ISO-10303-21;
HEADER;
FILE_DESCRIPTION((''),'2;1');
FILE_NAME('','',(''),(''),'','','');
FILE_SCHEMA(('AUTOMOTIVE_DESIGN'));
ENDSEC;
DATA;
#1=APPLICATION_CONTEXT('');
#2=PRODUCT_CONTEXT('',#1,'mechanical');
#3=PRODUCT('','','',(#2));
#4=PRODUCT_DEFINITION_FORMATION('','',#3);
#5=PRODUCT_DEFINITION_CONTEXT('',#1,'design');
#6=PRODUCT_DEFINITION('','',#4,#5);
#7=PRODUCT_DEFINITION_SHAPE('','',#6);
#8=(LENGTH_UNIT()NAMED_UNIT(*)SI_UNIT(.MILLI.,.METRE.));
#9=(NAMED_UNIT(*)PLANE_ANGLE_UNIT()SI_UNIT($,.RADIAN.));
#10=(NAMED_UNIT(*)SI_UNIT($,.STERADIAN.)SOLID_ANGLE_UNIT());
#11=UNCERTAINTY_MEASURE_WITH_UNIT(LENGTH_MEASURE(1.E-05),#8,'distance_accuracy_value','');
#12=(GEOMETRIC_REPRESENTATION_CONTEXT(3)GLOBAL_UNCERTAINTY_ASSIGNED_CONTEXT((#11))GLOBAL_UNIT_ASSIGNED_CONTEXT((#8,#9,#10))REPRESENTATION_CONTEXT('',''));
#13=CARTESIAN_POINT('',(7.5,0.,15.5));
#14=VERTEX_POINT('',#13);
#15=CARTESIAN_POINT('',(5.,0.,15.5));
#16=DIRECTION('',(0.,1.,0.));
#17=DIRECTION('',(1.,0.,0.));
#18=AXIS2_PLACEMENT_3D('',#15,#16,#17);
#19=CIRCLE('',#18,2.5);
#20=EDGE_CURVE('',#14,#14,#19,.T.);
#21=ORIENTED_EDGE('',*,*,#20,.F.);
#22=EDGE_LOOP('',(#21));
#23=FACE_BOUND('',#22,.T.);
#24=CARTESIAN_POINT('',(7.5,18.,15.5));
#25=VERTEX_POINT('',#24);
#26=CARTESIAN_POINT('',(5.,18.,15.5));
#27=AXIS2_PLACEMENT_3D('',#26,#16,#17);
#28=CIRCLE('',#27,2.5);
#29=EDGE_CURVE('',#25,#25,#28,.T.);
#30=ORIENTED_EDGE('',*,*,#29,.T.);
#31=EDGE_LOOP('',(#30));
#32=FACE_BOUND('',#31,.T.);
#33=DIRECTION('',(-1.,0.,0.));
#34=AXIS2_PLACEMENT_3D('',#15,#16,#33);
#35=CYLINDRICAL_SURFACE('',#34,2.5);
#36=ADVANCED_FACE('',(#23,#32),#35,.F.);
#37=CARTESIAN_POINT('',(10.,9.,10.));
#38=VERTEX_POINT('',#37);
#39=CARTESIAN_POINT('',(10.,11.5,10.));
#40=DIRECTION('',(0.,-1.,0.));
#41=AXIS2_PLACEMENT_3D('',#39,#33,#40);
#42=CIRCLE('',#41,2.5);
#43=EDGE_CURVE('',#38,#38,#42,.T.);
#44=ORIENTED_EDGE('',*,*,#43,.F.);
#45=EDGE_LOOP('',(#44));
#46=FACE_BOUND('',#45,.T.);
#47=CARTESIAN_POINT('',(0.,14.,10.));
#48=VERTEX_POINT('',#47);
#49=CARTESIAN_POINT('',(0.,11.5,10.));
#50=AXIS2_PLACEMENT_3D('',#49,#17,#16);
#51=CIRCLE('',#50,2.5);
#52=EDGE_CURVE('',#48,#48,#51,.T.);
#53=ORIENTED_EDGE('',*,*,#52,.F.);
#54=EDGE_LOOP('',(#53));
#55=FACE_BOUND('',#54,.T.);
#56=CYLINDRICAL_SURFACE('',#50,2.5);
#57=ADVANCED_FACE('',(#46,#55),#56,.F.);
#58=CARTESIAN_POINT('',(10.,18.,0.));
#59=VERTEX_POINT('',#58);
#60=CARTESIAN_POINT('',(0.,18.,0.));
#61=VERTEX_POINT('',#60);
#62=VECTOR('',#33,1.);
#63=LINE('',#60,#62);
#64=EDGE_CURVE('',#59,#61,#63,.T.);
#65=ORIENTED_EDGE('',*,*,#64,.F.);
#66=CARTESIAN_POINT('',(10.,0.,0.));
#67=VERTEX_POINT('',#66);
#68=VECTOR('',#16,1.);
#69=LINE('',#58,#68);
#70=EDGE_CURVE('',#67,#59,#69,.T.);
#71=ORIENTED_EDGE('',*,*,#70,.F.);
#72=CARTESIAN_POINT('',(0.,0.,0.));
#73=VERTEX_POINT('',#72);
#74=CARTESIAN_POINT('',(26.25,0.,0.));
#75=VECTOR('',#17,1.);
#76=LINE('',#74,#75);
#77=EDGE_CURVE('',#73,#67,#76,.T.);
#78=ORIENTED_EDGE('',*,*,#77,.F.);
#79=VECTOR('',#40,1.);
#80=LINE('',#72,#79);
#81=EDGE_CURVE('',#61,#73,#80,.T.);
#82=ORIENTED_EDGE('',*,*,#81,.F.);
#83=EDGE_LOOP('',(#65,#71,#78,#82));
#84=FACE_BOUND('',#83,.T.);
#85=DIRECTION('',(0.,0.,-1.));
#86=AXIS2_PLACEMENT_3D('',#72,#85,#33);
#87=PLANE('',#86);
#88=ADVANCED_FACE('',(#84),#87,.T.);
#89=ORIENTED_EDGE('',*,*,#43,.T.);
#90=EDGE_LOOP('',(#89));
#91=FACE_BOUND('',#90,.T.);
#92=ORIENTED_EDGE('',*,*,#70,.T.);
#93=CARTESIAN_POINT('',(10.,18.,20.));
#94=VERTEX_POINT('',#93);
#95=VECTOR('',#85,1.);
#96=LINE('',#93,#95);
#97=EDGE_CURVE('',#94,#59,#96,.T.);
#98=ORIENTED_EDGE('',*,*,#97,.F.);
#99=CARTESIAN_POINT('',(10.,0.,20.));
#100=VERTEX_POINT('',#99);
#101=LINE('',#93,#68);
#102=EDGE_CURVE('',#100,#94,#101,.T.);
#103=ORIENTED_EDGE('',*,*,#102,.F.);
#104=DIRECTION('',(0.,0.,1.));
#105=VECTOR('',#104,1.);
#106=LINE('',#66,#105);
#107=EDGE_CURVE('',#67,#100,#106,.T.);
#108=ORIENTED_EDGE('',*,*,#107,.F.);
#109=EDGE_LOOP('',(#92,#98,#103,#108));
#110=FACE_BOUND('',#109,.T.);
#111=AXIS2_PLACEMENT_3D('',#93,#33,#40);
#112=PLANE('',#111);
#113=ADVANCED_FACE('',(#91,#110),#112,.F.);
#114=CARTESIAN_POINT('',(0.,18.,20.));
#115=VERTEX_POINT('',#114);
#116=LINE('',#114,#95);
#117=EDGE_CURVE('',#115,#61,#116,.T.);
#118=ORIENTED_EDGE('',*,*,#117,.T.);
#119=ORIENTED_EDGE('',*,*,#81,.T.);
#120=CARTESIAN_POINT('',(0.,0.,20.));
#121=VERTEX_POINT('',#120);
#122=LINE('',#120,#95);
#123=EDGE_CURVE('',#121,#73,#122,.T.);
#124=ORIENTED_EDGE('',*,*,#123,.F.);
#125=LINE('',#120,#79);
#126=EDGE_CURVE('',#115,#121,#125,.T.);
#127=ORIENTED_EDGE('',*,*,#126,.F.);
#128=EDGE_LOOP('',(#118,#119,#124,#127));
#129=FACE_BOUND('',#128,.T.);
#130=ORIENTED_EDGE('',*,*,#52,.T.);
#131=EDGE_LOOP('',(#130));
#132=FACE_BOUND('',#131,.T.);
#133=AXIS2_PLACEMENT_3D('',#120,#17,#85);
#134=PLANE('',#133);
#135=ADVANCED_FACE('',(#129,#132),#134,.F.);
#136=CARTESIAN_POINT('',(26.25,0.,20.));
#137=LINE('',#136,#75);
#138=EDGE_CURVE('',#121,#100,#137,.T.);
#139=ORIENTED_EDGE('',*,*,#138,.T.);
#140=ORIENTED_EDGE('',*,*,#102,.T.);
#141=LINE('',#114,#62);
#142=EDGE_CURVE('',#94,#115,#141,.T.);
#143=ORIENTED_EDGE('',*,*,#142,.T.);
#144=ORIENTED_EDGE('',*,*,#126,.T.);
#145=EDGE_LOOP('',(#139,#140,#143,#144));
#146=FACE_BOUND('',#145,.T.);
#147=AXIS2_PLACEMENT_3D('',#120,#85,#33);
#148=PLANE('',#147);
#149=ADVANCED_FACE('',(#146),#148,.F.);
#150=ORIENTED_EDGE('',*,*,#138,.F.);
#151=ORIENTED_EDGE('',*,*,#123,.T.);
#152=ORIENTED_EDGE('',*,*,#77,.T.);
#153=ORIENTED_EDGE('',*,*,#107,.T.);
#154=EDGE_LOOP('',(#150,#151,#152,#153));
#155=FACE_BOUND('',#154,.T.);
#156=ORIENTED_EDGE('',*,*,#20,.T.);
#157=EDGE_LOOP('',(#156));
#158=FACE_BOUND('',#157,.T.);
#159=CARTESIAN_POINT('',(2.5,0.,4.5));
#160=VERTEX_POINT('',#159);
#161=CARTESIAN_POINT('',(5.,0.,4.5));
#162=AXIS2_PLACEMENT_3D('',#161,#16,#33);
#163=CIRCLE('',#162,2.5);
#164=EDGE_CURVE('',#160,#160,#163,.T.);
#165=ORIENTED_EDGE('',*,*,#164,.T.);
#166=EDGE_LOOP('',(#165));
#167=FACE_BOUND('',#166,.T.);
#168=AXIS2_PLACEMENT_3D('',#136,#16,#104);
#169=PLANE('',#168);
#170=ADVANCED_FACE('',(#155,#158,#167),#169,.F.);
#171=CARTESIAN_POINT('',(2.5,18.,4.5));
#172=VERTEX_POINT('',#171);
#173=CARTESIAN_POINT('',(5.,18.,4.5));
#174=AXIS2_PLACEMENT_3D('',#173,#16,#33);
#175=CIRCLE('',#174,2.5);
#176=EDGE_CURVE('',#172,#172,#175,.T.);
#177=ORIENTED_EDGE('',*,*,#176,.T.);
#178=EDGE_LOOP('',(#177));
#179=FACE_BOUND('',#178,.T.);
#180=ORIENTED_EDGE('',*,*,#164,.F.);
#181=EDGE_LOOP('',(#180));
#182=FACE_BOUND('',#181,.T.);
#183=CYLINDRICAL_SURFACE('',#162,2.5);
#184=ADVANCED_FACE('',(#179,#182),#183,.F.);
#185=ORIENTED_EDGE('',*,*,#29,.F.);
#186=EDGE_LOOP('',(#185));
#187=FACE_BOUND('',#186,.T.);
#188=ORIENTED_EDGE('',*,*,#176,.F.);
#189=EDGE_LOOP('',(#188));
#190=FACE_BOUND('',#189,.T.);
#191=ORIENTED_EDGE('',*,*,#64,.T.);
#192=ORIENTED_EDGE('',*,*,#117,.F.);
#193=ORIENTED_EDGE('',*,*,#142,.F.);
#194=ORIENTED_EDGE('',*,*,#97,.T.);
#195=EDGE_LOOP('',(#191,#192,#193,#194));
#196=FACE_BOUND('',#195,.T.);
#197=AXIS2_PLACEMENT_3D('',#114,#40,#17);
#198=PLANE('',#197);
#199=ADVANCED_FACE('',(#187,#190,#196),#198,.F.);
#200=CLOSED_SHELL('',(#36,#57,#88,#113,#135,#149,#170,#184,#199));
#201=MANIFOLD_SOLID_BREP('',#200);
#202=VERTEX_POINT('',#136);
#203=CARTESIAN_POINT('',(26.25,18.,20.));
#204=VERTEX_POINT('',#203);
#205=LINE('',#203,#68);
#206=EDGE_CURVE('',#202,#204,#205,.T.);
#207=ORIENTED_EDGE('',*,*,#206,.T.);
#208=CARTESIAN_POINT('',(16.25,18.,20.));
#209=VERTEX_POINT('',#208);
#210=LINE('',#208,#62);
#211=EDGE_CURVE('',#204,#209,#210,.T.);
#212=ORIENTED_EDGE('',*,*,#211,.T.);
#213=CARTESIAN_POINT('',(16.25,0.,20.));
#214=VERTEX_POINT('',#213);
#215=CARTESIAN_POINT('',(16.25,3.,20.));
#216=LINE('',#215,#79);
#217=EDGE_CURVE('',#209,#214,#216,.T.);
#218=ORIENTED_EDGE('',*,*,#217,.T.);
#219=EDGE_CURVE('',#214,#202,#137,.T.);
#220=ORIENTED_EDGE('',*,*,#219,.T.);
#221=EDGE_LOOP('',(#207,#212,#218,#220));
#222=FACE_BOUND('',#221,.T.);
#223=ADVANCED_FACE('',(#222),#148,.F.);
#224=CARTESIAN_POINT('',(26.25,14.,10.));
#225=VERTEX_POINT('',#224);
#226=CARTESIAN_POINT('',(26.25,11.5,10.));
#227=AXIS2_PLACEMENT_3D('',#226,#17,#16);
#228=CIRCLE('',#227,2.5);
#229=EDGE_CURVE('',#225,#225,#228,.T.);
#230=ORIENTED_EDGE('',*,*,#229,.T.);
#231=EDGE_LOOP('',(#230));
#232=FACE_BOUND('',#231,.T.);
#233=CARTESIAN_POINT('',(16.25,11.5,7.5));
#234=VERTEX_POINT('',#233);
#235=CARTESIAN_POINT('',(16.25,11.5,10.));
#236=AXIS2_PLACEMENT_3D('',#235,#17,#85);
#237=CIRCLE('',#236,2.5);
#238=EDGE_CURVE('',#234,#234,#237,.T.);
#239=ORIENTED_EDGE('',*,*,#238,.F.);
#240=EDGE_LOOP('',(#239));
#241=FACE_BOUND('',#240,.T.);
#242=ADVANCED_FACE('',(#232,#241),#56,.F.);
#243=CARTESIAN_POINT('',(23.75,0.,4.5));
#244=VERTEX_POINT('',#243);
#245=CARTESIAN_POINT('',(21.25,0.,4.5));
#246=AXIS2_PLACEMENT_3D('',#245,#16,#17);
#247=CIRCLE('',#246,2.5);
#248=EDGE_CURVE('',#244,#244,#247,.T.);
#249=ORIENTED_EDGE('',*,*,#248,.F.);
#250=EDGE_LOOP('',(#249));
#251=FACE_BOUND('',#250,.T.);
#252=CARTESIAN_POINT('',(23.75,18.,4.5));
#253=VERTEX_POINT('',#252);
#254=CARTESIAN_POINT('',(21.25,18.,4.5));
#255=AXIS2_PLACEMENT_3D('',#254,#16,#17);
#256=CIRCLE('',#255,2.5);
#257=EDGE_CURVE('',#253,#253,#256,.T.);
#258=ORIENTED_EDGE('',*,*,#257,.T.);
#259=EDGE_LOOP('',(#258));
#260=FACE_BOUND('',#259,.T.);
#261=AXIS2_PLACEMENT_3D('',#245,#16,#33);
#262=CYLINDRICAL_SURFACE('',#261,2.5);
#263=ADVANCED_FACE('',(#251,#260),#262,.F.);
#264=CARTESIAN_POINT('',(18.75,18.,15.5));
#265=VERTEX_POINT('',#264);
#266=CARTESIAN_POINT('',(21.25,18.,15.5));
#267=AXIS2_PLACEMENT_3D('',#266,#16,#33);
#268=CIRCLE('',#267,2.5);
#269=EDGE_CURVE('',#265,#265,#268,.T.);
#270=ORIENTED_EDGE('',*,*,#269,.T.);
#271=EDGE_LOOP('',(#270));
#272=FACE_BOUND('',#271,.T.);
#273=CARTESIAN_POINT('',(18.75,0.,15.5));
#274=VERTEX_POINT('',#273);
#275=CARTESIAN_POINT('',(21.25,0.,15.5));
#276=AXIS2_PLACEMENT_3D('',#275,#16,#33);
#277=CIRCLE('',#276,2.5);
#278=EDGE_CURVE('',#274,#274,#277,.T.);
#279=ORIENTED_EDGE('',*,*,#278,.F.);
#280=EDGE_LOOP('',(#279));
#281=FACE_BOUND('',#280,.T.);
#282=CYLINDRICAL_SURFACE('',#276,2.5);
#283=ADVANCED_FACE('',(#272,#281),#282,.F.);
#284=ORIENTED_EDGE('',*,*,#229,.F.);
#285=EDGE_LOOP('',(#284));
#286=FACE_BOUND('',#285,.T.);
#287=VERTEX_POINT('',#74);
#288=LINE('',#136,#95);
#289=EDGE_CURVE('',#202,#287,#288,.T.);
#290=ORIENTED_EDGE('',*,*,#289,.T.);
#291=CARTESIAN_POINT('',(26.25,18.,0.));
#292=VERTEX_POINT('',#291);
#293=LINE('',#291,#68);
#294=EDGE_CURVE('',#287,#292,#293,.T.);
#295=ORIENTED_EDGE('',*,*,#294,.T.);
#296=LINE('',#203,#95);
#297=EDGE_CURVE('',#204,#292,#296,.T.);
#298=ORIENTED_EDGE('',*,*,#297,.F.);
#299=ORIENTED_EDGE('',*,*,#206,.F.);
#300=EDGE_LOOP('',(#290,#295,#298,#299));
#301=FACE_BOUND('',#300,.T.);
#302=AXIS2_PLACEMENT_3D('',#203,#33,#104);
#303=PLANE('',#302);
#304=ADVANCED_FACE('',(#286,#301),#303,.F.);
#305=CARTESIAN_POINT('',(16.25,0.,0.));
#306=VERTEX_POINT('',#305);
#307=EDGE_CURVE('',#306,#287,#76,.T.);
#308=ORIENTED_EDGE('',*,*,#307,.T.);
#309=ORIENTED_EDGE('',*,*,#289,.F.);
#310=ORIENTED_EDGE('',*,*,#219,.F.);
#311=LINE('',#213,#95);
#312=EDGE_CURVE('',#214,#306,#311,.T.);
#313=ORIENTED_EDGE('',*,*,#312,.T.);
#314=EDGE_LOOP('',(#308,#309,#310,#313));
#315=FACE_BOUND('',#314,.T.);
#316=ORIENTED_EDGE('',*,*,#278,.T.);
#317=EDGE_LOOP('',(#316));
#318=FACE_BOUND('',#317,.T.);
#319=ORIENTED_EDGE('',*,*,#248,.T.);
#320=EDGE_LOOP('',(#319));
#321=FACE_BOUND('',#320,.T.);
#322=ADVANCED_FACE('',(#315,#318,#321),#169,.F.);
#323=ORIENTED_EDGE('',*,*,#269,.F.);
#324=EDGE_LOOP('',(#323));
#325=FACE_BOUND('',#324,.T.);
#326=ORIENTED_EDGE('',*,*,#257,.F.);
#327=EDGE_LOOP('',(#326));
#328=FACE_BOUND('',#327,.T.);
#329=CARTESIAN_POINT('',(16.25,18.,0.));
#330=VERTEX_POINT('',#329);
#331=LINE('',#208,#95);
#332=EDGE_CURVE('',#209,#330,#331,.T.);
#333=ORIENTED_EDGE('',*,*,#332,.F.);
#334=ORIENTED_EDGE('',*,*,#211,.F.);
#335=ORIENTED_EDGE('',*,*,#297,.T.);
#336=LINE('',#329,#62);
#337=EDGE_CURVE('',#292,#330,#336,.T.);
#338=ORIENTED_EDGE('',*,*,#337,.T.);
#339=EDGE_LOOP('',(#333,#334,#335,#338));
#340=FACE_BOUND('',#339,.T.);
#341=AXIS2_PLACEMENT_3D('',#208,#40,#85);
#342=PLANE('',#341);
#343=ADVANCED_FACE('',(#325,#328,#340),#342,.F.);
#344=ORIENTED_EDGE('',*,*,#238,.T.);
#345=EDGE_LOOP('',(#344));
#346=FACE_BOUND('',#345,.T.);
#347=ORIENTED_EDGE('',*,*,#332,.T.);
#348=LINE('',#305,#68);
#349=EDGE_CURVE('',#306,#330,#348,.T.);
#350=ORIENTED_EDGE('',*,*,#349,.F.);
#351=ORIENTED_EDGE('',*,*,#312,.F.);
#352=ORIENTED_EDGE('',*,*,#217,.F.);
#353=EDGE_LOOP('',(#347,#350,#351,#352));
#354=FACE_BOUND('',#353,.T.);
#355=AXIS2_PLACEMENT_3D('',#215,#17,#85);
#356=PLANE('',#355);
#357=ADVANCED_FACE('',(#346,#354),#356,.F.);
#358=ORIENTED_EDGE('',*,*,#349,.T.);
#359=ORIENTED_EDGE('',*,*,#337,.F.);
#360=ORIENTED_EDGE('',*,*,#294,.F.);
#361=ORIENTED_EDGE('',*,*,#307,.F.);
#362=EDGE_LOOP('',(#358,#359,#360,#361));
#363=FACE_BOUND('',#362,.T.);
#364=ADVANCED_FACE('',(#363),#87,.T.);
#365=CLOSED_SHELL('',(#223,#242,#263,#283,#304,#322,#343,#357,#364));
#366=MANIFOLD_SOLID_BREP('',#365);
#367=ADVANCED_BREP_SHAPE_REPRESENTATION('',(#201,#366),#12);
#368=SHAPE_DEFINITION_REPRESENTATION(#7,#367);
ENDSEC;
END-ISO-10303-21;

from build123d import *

# Parameters (mm, degrees)
BOSS_EXTRUDE1_DEPTH = 20
SKETCH3_R           = 2.5
CUT_EXTRUDE1_DEPTH  = 38.59072359
SKETCH4_R           = 2.5
CUT_EXTRUDE4_DEPTH  = 38.59072359
SKETCH5_W           = 6.25
SKETCH5_H           = 20
CUT_EXTRUDE5_DEPTH  = 37.25


with BuildPart() as part:
    # Sketch2 → Boss-Extrude1 (new body)
    with BuildSketch(Plane.XY):
        Polygon((0, 0), (0, 18), (10, 18), (10, 3), (16.25, 3), (16.25, 18), (26.25, 18), (26.25, 0), align=None)
    extrude(amount=BOSS_EXTRUDE1_DEPTH)

    # Sketch3 → Cut-Extrude1 (cut, through all)
    with BuildSketch(Plane(origin=(0, 18, 0), x_dir=(1, 0, 0), z_dir=(0, 1, 0))):
        with Locations(Location((21.25, -15.5, 0), (0, 0, 180))):
            Circle(SKETCH3_R)
        with Locations((21.25, -4.5)):
            Circle(SKETCH3_R)
        with Locations((5, -15.5)):
            Circle(SKETCH3_R)
        with Locations(Location((5, -4.5, 0), (0, 0, 180))):
            Circle(SKETCH3_R)
    extrude(amount=-CUT_EXTRUDE1_DEPTH, mode=Mode.SUBTRACT)

    # Sketch4 → Cut-Extrude4 (cut, through all)
    with BuildSketch(Plane(origin=(26.25, 0, 0), x_dir=(0, 0, -1), z_dir=(1, 0, 0))):
        with Locations(Location((-10, 11.5, 0), (0, 0, 90))):
            Circle(SKETCH4_R)
    extrude(amount=-CUT_EXTRUDE4_DEPTH, mode=Mode.SUBTRACT)

    # Sketch5 → Cut-Extrude5 (cut, through all)
    with BuildSketch(Plane(origin=(0, 3, 0), x_dir=(1, 0, 0), z_dir=(0, 1, 0))):
        with Locations((13.125, -10)):
            Rectangle(SKETCH5_W, SKETCH5_H)
    extrude(amount=-CUT_EXTRUDE5_DEPTH, mode=Mode.SUBTRACT)


with BuildPart() as cut_extrude5_piece_1:
    # of the separate pieces the step leaves, piece 1, a body of its own (cut_extrude5_pieces)
    add(part.part.solids().sort_by_distance((26.25, 0, 0))[0])


with BuildPart() as cut_extrude5_piece_2:
    # of the separate pieces the step leaves, piece 2, a body of its own (cut_extrude5_pieces)
    add(part.part.solids().sort_by_distance((0, 0, 0))[0])


solid = Compound([cut_extrude5_piece_1.part, cut_extrude5_piece_2.part])
